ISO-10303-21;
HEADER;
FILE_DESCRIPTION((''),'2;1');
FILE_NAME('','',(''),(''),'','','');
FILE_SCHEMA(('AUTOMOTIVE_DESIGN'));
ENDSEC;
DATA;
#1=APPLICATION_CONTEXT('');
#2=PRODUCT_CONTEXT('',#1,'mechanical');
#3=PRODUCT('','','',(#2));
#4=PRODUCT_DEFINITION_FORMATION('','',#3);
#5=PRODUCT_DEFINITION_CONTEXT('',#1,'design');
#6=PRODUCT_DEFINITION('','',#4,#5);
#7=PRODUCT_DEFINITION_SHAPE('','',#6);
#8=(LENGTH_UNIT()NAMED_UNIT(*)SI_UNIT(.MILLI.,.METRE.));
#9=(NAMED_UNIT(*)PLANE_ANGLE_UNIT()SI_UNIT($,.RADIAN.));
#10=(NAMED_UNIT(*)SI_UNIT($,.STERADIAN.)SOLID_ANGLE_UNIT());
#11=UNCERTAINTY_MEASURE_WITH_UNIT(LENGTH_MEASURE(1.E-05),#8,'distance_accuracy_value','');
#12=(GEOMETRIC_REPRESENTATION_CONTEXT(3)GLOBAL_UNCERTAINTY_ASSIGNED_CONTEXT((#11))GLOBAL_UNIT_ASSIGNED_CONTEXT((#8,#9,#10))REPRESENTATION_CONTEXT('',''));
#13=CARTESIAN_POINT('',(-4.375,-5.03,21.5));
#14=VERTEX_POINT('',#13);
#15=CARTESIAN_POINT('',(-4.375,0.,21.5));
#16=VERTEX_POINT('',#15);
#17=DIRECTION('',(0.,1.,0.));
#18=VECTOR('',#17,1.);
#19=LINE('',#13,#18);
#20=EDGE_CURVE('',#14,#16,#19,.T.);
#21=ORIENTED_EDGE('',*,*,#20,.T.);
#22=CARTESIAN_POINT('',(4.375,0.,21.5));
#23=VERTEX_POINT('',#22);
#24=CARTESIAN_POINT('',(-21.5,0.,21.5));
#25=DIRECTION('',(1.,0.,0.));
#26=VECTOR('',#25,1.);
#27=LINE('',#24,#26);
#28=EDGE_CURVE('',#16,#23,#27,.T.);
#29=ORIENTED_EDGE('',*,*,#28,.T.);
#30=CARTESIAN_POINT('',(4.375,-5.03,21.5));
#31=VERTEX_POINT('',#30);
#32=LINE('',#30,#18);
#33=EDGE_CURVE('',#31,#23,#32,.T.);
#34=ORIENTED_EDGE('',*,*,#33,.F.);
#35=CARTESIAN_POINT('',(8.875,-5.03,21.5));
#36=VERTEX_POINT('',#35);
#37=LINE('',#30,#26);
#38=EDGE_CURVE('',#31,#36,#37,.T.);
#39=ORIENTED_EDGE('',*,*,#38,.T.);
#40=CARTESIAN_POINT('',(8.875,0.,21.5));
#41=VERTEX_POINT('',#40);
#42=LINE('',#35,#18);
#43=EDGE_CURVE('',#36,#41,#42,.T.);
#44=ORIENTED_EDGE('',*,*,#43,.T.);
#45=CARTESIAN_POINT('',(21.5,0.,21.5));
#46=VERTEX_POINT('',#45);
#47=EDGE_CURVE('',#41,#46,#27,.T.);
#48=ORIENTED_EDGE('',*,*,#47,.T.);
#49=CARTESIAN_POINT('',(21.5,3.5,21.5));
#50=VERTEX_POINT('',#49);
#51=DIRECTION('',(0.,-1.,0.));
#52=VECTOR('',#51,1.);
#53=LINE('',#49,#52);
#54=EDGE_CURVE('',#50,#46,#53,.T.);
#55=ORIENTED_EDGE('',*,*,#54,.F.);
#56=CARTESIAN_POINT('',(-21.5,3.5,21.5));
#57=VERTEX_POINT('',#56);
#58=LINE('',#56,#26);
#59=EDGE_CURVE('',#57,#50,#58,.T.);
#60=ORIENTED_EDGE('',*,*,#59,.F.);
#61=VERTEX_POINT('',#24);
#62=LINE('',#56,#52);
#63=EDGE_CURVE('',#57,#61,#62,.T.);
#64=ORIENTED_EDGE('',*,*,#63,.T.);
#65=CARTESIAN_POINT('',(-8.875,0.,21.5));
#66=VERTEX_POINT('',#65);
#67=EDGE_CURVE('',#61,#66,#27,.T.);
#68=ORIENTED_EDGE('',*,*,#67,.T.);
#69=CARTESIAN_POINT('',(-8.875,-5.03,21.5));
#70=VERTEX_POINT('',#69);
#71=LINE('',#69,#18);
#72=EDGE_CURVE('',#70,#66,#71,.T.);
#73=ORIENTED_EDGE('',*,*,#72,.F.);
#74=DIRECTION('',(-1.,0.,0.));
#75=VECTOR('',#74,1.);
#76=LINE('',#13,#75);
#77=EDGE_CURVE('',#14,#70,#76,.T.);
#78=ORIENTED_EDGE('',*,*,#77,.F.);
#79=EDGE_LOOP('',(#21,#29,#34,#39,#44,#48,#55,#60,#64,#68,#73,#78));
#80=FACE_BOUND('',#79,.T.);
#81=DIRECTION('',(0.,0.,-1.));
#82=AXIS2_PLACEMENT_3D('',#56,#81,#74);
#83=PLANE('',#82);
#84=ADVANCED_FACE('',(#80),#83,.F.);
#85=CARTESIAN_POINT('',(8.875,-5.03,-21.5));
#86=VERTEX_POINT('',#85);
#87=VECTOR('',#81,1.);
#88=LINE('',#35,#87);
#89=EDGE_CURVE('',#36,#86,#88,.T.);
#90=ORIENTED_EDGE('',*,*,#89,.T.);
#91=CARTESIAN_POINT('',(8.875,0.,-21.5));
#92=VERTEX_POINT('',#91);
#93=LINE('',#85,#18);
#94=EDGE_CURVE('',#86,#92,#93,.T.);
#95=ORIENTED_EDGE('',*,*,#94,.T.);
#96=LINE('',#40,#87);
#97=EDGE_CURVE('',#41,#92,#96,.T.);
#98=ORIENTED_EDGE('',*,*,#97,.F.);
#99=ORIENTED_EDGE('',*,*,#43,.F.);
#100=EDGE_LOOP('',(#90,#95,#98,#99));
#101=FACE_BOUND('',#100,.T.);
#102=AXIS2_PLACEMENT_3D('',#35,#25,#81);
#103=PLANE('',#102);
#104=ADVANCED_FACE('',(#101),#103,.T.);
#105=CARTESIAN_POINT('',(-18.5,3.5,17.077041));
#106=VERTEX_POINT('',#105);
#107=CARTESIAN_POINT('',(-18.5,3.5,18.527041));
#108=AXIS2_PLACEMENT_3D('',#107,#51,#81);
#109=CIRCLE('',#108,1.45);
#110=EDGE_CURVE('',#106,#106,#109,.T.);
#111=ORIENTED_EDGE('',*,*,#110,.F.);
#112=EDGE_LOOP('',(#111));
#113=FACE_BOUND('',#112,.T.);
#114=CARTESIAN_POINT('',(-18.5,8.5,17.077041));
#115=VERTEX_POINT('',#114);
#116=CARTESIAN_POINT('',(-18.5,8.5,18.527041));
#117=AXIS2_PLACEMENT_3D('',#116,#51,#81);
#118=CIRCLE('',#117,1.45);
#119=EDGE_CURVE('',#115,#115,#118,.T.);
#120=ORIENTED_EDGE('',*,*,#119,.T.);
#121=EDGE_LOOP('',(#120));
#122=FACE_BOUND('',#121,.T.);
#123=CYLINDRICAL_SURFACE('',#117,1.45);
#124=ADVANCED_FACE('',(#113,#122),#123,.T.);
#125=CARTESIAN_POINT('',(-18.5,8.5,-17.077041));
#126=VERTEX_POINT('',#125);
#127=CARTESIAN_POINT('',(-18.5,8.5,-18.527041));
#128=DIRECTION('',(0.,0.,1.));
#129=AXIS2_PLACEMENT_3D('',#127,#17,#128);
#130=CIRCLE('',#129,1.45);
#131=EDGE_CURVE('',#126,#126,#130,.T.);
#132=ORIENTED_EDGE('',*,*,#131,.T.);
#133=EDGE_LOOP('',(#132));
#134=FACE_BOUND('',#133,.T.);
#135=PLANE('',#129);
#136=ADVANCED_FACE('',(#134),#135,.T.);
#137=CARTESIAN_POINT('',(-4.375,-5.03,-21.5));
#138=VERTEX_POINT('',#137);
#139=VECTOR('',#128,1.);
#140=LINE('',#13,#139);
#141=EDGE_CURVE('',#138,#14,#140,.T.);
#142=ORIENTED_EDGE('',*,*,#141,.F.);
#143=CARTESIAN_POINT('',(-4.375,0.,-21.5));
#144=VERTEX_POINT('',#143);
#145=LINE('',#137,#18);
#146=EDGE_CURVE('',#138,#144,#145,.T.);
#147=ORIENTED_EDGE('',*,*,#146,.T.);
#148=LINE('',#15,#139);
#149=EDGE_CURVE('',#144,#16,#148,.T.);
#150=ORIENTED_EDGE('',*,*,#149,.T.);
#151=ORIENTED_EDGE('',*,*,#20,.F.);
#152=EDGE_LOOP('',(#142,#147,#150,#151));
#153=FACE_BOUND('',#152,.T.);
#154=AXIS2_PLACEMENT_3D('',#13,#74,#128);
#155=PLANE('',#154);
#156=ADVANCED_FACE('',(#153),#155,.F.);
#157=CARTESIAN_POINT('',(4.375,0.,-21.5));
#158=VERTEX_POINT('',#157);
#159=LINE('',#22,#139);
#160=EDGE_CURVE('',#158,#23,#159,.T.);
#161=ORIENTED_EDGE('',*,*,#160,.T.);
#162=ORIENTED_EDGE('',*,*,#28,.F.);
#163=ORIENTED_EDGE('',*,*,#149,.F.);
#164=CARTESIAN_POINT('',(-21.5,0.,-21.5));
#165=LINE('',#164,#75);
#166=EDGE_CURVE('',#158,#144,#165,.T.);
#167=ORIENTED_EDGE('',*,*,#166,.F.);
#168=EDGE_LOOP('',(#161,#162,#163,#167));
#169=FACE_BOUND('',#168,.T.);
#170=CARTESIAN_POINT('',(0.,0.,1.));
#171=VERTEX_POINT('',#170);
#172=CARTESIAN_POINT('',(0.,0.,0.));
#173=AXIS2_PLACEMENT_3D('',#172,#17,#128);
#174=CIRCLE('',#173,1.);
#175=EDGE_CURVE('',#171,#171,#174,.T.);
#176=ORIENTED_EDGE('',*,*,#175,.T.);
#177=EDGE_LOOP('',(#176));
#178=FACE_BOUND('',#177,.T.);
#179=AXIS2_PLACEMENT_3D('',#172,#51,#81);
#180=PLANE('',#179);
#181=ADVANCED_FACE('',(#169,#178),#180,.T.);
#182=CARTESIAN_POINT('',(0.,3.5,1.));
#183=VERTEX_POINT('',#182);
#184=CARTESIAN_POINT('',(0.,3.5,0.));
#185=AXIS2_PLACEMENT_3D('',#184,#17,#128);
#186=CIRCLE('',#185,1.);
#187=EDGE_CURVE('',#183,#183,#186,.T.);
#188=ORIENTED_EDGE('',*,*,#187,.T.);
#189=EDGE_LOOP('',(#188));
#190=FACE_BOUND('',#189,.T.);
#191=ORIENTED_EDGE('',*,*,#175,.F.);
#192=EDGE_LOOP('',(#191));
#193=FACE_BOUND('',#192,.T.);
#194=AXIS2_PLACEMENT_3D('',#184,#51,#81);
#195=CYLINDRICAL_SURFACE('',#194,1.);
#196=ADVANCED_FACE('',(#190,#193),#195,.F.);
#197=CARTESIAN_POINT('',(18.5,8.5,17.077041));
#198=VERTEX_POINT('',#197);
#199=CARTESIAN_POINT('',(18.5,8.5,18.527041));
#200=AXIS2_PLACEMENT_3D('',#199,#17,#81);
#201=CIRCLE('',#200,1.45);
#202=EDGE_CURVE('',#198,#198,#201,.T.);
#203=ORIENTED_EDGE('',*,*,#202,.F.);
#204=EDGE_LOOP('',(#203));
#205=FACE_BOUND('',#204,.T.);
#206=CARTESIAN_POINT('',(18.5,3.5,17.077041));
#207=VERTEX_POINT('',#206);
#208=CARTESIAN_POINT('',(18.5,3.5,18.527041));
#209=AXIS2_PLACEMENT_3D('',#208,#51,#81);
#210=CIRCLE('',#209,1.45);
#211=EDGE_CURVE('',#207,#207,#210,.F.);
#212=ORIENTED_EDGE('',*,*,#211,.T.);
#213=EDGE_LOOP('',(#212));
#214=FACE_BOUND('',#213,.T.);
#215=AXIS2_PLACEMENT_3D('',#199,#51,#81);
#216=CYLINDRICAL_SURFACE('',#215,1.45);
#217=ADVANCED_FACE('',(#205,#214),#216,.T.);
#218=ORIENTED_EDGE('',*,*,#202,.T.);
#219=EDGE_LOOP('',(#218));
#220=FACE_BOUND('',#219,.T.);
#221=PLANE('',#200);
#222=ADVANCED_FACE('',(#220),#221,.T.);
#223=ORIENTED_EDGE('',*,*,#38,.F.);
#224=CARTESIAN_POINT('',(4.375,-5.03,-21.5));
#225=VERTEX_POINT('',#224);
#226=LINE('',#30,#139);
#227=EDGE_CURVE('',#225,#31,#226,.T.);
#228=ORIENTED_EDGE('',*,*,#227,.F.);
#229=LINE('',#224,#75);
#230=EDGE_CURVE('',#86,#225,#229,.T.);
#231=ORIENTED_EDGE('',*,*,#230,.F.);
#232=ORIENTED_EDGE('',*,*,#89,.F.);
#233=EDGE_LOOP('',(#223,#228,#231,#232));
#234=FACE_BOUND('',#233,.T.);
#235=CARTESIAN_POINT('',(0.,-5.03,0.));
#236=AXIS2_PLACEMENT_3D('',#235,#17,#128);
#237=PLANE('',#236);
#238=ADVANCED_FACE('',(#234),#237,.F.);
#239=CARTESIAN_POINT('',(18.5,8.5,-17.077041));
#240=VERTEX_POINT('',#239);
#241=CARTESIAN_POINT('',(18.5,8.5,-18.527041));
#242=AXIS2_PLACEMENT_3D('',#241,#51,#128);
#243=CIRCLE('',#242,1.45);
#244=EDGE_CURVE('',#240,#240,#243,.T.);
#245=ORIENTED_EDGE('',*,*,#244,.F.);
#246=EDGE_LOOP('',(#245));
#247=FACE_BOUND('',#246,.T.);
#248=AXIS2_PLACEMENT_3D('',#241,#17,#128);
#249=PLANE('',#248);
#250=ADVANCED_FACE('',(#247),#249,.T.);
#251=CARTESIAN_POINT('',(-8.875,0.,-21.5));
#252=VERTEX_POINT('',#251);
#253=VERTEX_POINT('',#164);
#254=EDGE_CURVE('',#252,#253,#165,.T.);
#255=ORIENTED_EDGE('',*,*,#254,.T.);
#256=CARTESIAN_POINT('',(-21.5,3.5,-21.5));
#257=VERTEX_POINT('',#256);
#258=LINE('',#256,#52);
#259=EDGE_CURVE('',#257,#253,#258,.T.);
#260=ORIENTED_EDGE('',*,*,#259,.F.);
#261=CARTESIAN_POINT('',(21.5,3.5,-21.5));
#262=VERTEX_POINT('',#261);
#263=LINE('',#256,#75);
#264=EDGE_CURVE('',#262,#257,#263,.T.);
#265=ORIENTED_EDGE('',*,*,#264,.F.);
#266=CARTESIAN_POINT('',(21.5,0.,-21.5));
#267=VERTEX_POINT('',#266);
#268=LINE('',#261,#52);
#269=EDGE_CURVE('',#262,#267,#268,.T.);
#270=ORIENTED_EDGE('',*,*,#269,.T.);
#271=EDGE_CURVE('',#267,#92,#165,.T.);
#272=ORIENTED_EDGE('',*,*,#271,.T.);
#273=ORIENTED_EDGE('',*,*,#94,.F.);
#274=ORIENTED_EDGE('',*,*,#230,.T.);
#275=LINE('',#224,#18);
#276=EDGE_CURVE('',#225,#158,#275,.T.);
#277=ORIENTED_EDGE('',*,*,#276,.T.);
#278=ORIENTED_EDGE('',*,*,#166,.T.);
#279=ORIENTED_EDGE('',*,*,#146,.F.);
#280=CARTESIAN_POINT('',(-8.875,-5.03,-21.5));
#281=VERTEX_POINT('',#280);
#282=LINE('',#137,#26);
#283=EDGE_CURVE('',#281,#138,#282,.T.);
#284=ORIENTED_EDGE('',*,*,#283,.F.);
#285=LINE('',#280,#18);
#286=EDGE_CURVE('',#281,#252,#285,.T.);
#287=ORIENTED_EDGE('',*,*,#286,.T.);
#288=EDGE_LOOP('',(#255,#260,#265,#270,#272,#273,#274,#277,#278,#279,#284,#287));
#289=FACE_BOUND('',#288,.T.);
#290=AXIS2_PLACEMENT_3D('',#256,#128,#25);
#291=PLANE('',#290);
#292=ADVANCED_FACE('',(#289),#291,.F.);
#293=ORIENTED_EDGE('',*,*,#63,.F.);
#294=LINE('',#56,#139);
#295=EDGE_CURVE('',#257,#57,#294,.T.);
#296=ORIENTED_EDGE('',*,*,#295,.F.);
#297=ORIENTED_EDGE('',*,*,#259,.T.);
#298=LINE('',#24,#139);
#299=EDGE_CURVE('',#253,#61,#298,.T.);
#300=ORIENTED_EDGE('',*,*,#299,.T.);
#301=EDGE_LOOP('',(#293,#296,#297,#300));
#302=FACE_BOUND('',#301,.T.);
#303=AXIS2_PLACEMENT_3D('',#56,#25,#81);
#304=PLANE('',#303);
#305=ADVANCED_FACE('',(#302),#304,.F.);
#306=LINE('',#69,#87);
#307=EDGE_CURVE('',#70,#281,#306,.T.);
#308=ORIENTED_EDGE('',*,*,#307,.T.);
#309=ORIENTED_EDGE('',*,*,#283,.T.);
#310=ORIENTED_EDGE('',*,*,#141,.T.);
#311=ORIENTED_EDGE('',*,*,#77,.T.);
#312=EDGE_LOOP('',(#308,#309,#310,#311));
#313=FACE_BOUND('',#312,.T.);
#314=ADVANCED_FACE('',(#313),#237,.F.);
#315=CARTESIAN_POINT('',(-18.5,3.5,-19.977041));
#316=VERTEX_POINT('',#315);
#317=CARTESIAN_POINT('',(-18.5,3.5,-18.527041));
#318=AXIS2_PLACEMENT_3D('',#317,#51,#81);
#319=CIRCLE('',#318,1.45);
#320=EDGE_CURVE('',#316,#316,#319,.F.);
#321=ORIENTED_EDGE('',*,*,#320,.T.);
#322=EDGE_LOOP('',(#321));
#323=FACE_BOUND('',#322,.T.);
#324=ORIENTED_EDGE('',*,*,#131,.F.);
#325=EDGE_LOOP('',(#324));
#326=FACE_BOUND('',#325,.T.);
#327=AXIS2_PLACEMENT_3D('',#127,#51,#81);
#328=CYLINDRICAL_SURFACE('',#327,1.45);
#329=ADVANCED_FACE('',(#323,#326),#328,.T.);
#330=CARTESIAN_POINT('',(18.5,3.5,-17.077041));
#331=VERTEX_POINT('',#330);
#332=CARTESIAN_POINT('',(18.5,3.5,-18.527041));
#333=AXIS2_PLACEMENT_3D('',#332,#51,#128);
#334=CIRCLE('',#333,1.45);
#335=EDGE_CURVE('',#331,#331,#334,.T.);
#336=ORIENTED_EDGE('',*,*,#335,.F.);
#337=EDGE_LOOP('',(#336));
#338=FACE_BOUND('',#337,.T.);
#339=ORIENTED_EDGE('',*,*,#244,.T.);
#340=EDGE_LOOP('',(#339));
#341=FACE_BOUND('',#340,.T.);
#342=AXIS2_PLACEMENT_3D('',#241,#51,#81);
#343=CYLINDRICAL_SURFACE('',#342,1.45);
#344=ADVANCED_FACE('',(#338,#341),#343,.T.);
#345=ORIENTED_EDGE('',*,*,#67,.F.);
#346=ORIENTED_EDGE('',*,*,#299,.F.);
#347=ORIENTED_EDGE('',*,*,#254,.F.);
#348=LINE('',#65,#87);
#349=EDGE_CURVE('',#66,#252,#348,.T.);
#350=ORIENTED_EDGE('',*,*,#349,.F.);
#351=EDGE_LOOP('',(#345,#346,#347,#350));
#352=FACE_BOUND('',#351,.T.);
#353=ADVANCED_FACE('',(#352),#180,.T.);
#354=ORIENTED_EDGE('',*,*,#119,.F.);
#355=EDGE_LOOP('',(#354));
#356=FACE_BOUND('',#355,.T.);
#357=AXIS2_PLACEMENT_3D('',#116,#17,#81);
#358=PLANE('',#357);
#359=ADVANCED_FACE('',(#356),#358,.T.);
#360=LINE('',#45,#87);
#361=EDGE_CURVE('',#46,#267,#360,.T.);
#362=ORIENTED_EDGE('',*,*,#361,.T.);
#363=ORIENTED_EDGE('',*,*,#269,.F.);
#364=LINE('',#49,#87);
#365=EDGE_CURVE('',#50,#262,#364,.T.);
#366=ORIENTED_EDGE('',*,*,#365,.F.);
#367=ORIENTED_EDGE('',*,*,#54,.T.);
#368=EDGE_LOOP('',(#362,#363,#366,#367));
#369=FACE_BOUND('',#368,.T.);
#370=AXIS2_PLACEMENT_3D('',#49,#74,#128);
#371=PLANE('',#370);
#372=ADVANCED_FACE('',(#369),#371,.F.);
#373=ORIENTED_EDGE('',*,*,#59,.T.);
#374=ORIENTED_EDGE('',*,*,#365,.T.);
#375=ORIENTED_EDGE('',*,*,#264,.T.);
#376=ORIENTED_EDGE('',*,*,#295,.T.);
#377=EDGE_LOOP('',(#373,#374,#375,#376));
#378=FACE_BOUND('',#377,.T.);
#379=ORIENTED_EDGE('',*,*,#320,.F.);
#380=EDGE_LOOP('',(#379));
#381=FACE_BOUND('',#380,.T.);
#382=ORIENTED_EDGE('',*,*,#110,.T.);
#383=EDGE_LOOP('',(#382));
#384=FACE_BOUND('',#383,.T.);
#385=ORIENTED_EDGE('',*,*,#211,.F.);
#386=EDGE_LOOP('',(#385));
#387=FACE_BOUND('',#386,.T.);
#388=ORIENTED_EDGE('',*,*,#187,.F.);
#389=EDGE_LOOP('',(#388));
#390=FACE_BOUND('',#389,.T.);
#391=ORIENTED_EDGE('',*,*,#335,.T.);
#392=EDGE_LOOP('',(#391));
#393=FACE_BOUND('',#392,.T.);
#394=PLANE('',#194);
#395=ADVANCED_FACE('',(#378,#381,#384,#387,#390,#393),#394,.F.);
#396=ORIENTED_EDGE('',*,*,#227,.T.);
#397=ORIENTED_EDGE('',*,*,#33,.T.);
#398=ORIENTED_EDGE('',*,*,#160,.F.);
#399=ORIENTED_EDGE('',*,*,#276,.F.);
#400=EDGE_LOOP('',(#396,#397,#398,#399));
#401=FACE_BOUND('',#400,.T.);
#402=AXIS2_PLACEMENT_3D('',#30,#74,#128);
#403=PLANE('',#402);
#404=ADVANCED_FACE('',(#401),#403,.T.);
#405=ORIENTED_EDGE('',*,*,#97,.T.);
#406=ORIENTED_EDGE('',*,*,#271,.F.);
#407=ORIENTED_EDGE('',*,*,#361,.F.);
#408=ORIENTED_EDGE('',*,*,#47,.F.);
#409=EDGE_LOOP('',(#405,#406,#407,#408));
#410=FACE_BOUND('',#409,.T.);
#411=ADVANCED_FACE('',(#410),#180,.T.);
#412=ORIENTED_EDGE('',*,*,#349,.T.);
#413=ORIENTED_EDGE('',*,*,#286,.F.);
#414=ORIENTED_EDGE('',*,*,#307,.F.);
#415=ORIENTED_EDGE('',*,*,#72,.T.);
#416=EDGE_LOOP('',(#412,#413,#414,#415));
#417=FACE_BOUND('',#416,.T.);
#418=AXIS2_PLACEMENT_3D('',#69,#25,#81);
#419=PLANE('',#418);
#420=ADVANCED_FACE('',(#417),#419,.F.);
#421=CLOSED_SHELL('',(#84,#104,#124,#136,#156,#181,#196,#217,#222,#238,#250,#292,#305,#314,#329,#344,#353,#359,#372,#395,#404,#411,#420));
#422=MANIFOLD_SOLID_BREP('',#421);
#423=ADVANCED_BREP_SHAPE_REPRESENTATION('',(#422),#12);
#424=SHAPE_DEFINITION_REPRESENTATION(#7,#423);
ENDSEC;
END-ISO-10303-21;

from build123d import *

# Parameters (mm, degrees)
SKETCH1_W                                  = 43
SKETCH1_H                                  = 43
SKETCH1_R                                  = 1
BOSS_EXTRUDE1_DEPTH                        = 3.5
SKETCH3_R                                  = 1.45
BOSS_EXTRUDE2_DEPTH                        = 5
MIRROR2_AT_THE_SECOND_PLANE_COPY_1_SKETC_R = 1.45
MIRROR2_AT_THE_SECOND_PLANE_COPY_1_DEPTH   = 5
SKETCH4_W                                  = 4.5
SKETCH4_H                                  = 43
BOSS_EXTRUDE3_DEPTH                        = 5.03


with BuildPart() as part:
    # Sketch1 → Boss-Extrude1 (new body)
    with BuildSketch(Plane(origin=(0, 0, 0), x_dir=(1, 0, 0), z_dir=(0, 1, 0))):
        Rectangle(SKETCH1_W, SKETCH1_H)
        with Locations(Location((0, 0, 0), (0, 0, 270))):
            Circle(SKETCH1_R, mode=Mode.SUBTRACT)
    extrude(amount=BOSS_EXTRUDE1_DEPTH)

    # Sketch3 → Boss-Extrude2 (add)
    with BuildSketch(Plane(origin=(0, 3.5, 0), x_dir=(1, 0, 0), z_dir=(0, 1, 0))):
        with Locations(Location((-18.5, 18.527041475, 0), (0, 0, 90))):
            Circle(SKETCH3_R)
    boss_extrude2 = extrude(amount=BOSS_EXTRUDE2_DEPTH)

    # Mirror2: Boss-Extrude2 across plane
    add(boss_extrude2.mirror(Plane.XY))

    # Mirror2 at the second plane: Boss-Extrude2 across plane
    add(boss_extrude2.mirror(Plane(origin=(0, 0, 0), x_dir=(0, 0, 1), z_dir=(1, 0, 0))))

    # Mirror2 at the second plane copy 1 sketc → Mirror2 at the second plane copy 1 (add)
    with BuildSketch(Plane(origin=(0, 3.5, 0), x_dir=(-1, 0, 0), z_dir=(0, 1, 0))):
        with Locations(Location((-18.5, 18.527041475, 0), (0, 0, 90))):
            Circle(MIRROR2_AT_THE_SECOND_PLANE_COPY_1_SKETC_R)
    extrude(amount=MIRROR2_AT_THE_SECOND_PLANE_COPY_1_DEPTH)

    # Sketch4 → Boss-Extrude3 (add)
    with BuildSketch(Plane.XZ):
        with Locations((-6.625, 0)):
            Rectangle(SKETCH4_W, SKETCH4_H)
    boss_extrude3 = extrude(amount=BOSS_EXTRUDE3_DEPTH)

    # Mirror3: Boss-Extrude3 across plane
    add(boss_extrude3.mirror(Plane(origin=(0, 0, 0), x_dir=(0, 0, 1), z_dir=(1, 0, 0))))


solid = part.part
